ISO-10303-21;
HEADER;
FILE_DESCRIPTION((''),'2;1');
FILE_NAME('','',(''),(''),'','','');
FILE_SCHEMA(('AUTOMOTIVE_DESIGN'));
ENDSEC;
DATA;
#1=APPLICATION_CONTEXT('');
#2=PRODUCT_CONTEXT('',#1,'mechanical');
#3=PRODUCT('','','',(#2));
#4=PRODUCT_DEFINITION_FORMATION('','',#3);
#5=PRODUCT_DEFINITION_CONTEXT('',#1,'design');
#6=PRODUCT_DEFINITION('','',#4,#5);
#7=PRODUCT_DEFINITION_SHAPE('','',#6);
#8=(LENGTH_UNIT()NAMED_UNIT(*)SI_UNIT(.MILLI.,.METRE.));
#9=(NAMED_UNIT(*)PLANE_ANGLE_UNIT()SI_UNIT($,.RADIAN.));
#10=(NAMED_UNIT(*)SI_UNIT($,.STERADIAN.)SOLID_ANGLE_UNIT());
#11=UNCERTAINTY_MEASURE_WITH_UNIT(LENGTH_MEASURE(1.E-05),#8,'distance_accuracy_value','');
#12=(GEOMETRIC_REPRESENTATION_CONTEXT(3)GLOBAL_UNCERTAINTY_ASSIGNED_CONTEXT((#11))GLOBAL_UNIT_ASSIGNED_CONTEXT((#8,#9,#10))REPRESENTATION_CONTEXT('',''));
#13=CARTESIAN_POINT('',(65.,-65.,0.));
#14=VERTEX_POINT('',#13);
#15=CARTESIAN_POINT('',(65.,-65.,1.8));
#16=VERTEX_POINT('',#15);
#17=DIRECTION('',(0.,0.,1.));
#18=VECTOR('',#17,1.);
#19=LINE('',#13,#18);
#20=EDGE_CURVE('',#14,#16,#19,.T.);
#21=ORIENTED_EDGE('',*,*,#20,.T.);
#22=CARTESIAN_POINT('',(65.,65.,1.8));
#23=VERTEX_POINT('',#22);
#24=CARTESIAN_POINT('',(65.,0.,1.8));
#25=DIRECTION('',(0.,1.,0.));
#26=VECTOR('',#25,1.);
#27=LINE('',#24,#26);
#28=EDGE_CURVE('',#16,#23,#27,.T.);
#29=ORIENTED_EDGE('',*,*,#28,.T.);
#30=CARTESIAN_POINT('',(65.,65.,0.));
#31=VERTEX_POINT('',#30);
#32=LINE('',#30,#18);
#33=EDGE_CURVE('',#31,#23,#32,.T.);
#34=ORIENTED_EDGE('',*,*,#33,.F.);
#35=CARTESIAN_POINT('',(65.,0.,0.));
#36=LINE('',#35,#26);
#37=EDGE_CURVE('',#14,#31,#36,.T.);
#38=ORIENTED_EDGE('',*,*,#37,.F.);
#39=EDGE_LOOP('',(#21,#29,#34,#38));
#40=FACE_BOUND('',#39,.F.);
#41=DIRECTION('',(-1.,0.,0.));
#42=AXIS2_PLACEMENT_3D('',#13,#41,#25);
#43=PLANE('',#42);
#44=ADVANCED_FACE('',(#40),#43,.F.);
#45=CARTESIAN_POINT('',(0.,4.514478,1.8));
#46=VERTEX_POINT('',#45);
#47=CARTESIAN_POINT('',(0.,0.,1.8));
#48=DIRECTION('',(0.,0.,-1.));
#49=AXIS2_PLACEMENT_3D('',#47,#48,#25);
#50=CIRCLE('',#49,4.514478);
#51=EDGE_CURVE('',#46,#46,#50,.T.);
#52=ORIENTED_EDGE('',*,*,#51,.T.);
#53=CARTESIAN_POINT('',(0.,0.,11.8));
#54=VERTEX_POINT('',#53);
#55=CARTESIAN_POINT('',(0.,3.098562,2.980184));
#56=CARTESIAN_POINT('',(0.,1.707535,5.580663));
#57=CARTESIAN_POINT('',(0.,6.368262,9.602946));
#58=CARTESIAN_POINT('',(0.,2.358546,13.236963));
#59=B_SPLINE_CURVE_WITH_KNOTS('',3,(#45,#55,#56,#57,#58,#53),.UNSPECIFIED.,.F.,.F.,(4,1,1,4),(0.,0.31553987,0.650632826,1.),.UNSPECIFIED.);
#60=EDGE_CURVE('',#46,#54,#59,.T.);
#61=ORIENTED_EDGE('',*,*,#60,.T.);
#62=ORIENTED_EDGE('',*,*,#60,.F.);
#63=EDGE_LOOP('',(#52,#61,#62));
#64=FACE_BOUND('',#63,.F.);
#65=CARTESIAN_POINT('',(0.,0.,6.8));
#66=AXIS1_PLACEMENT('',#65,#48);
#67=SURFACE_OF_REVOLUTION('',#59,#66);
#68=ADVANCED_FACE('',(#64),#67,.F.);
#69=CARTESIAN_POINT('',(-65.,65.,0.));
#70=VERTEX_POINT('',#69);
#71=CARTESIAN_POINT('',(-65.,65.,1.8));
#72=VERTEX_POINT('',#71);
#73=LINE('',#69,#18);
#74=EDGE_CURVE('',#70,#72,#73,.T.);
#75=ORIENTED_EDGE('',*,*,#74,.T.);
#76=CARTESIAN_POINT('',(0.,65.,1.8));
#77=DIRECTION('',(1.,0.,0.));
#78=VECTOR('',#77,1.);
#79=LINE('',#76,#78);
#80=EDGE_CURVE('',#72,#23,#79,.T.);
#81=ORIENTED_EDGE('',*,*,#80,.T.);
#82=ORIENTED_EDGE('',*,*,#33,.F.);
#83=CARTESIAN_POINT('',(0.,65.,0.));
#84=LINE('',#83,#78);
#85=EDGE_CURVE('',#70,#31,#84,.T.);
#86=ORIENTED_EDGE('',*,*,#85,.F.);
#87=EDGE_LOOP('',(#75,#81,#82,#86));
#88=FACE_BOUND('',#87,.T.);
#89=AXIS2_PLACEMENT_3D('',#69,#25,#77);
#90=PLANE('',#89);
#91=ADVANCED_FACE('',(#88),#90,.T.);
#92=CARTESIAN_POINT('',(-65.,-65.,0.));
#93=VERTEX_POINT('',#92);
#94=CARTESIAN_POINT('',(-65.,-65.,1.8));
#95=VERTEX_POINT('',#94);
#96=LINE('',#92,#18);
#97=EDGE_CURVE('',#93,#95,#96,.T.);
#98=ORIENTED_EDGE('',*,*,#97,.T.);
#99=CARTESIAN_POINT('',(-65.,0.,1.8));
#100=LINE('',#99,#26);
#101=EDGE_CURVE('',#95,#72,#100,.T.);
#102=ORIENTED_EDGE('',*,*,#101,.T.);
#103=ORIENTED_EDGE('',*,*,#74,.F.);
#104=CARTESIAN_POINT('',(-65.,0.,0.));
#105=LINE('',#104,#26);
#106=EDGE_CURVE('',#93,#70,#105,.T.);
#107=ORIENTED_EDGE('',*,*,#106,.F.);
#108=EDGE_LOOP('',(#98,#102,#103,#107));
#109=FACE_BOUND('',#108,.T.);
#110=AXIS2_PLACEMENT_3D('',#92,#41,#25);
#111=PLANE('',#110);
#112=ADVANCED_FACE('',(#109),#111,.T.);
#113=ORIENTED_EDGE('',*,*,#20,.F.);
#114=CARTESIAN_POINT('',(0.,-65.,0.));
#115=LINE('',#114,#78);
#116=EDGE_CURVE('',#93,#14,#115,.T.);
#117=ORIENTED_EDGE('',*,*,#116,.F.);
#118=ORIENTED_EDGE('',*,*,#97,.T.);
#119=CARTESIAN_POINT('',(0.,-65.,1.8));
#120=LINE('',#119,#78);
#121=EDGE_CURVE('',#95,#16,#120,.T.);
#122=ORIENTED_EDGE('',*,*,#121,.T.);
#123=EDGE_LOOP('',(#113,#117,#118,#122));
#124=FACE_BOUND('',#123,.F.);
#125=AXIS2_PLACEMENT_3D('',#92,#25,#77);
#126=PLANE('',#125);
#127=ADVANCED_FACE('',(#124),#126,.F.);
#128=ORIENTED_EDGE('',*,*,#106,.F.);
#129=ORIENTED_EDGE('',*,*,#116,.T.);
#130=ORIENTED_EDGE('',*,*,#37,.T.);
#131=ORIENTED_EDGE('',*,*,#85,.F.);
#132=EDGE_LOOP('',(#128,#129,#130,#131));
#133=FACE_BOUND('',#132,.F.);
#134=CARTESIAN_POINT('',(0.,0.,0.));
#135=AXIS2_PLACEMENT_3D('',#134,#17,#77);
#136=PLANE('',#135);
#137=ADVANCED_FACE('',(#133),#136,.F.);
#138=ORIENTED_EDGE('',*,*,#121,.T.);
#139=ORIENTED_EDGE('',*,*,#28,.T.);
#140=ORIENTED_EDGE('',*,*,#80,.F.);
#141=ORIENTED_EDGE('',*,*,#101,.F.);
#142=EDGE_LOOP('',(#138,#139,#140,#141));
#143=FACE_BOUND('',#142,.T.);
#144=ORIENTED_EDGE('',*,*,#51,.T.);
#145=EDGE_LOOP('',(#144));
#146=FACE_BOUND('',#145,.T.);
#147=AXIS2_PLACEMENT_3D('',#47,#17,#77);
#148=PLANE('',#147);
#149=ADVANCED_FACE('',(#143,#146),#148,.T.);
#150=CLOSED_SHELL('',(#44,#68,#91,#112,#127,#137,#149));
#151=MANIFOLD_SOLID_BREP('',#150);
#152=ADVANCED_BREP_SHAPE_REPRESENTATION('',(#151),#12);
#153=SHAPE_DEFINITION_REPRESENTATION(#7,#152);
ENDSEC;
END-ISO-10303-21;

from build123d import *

# Parameters (mm, degrees)
F0_W     = 130
F0_H     = 130
F1_DEPTH = 1.8


with BuildPart() as f1:
    # F0 (on Top) → F1 (new body)
    with BuildSketch(Plane.XY):
        Rectangle(F0_W, F0_H)
    extrude(amount=F1_DEPTH)

    # F2 (on Right) → F3 (revolve)
    with BuildSketch(Plane.YZ):
        with BuildLine():
            add(Edge.make_bspline(
                [(4.514478147, 1.8), (3.0985618876, 2.9801836264), (1.7075350361, 5.5806626994), (6.3682620966, 9.6029458568), (2.3585455492, 13.2369631901), (0, 11.8)],
                knots=[0, 0, 0, 0, 0.3155398703, 0.6506328261, 1, 1, 1, 1], degree=3))
            Line((0, 11.8), (0, 1.8))
            Line((0, 1.8), (4.514478147, 1.8))
        make_face()
    revolve(axis=Axis((0, 0, 6.8), (0, 0, -1)))


solid = f1.part
